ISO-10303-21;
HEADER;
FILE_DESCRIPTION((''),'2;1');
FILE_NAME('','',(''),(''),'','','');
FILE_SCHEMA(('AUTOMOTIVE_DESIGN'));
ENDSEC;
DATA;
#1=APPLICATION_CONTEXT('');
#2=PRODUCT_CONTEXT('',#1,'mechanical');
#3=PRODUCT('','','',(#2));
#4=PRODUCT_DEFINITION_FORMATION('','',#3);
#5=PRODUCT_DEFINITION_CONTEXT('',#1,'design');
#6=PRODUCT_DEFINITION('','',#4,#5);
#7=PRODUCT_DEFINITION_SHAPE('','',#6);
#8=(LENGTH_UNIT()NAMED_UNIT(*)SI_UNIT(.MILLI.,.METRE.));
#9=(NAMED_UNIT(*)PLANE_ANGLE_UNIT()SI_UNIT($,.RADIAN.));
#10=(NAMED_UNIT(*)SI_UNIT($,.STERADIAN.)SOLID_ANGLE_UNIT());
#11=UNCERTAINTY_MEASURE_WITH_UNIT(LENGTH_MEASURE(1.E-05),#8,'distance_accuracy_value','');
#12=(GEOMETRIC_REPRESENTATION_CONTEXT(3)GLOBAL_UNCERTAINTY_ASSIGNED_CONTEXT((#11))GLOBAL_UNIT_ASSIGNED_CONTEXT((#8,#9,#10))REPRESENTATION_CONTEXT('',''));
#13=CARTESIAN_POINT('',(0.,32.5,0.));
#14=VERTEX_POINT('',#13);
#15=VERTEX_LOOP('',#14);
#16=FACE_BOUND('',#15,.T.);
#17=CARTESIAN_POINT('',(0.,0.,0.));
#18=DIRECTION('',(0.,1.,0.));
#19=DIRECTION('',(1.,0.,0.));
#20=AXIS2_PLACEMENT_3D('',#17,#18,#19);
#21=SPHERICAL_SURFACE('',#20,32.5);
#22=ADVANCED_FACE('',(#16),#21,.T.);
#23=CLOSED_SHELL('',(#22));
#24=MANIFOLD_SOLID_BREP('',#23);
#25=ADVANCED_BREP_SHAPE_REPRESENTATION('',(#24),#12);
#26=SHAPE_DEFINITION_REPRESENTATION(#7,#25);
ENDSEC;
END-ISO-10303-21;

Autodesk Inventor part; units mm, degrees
ref_plane "YZ Plane" through (0, 0, 0) normal (1, 0, 0) x (0, 1, 0)
ref_plane "XZ Plane" through (0, 0, 0) normal (0, 1, 0) x (-1, 0, 0)
ref_plane "XY Plane" through (0, 0, 0) normal (0, 0, 1) x (1, 0, 0)
sketch "スケッチ1" plane through (0, 0, 0) normal (0, 0, 1) x (1, 0, 0)
  arc A0 (0, -32.5) -> (0, 32.5) centre (0, 0) ccw
  line L0 (0, 0) -> (0, 32.5)
  line L1 (0, 0) -> (0, -32.5)
  dimension "d0" = 65
revolve "回転1" add sketch "スケッチ1" angle 360 about axis through (0, 0, 0) along (0, 1, 0)
properties part number "ball" material "ゴム"
